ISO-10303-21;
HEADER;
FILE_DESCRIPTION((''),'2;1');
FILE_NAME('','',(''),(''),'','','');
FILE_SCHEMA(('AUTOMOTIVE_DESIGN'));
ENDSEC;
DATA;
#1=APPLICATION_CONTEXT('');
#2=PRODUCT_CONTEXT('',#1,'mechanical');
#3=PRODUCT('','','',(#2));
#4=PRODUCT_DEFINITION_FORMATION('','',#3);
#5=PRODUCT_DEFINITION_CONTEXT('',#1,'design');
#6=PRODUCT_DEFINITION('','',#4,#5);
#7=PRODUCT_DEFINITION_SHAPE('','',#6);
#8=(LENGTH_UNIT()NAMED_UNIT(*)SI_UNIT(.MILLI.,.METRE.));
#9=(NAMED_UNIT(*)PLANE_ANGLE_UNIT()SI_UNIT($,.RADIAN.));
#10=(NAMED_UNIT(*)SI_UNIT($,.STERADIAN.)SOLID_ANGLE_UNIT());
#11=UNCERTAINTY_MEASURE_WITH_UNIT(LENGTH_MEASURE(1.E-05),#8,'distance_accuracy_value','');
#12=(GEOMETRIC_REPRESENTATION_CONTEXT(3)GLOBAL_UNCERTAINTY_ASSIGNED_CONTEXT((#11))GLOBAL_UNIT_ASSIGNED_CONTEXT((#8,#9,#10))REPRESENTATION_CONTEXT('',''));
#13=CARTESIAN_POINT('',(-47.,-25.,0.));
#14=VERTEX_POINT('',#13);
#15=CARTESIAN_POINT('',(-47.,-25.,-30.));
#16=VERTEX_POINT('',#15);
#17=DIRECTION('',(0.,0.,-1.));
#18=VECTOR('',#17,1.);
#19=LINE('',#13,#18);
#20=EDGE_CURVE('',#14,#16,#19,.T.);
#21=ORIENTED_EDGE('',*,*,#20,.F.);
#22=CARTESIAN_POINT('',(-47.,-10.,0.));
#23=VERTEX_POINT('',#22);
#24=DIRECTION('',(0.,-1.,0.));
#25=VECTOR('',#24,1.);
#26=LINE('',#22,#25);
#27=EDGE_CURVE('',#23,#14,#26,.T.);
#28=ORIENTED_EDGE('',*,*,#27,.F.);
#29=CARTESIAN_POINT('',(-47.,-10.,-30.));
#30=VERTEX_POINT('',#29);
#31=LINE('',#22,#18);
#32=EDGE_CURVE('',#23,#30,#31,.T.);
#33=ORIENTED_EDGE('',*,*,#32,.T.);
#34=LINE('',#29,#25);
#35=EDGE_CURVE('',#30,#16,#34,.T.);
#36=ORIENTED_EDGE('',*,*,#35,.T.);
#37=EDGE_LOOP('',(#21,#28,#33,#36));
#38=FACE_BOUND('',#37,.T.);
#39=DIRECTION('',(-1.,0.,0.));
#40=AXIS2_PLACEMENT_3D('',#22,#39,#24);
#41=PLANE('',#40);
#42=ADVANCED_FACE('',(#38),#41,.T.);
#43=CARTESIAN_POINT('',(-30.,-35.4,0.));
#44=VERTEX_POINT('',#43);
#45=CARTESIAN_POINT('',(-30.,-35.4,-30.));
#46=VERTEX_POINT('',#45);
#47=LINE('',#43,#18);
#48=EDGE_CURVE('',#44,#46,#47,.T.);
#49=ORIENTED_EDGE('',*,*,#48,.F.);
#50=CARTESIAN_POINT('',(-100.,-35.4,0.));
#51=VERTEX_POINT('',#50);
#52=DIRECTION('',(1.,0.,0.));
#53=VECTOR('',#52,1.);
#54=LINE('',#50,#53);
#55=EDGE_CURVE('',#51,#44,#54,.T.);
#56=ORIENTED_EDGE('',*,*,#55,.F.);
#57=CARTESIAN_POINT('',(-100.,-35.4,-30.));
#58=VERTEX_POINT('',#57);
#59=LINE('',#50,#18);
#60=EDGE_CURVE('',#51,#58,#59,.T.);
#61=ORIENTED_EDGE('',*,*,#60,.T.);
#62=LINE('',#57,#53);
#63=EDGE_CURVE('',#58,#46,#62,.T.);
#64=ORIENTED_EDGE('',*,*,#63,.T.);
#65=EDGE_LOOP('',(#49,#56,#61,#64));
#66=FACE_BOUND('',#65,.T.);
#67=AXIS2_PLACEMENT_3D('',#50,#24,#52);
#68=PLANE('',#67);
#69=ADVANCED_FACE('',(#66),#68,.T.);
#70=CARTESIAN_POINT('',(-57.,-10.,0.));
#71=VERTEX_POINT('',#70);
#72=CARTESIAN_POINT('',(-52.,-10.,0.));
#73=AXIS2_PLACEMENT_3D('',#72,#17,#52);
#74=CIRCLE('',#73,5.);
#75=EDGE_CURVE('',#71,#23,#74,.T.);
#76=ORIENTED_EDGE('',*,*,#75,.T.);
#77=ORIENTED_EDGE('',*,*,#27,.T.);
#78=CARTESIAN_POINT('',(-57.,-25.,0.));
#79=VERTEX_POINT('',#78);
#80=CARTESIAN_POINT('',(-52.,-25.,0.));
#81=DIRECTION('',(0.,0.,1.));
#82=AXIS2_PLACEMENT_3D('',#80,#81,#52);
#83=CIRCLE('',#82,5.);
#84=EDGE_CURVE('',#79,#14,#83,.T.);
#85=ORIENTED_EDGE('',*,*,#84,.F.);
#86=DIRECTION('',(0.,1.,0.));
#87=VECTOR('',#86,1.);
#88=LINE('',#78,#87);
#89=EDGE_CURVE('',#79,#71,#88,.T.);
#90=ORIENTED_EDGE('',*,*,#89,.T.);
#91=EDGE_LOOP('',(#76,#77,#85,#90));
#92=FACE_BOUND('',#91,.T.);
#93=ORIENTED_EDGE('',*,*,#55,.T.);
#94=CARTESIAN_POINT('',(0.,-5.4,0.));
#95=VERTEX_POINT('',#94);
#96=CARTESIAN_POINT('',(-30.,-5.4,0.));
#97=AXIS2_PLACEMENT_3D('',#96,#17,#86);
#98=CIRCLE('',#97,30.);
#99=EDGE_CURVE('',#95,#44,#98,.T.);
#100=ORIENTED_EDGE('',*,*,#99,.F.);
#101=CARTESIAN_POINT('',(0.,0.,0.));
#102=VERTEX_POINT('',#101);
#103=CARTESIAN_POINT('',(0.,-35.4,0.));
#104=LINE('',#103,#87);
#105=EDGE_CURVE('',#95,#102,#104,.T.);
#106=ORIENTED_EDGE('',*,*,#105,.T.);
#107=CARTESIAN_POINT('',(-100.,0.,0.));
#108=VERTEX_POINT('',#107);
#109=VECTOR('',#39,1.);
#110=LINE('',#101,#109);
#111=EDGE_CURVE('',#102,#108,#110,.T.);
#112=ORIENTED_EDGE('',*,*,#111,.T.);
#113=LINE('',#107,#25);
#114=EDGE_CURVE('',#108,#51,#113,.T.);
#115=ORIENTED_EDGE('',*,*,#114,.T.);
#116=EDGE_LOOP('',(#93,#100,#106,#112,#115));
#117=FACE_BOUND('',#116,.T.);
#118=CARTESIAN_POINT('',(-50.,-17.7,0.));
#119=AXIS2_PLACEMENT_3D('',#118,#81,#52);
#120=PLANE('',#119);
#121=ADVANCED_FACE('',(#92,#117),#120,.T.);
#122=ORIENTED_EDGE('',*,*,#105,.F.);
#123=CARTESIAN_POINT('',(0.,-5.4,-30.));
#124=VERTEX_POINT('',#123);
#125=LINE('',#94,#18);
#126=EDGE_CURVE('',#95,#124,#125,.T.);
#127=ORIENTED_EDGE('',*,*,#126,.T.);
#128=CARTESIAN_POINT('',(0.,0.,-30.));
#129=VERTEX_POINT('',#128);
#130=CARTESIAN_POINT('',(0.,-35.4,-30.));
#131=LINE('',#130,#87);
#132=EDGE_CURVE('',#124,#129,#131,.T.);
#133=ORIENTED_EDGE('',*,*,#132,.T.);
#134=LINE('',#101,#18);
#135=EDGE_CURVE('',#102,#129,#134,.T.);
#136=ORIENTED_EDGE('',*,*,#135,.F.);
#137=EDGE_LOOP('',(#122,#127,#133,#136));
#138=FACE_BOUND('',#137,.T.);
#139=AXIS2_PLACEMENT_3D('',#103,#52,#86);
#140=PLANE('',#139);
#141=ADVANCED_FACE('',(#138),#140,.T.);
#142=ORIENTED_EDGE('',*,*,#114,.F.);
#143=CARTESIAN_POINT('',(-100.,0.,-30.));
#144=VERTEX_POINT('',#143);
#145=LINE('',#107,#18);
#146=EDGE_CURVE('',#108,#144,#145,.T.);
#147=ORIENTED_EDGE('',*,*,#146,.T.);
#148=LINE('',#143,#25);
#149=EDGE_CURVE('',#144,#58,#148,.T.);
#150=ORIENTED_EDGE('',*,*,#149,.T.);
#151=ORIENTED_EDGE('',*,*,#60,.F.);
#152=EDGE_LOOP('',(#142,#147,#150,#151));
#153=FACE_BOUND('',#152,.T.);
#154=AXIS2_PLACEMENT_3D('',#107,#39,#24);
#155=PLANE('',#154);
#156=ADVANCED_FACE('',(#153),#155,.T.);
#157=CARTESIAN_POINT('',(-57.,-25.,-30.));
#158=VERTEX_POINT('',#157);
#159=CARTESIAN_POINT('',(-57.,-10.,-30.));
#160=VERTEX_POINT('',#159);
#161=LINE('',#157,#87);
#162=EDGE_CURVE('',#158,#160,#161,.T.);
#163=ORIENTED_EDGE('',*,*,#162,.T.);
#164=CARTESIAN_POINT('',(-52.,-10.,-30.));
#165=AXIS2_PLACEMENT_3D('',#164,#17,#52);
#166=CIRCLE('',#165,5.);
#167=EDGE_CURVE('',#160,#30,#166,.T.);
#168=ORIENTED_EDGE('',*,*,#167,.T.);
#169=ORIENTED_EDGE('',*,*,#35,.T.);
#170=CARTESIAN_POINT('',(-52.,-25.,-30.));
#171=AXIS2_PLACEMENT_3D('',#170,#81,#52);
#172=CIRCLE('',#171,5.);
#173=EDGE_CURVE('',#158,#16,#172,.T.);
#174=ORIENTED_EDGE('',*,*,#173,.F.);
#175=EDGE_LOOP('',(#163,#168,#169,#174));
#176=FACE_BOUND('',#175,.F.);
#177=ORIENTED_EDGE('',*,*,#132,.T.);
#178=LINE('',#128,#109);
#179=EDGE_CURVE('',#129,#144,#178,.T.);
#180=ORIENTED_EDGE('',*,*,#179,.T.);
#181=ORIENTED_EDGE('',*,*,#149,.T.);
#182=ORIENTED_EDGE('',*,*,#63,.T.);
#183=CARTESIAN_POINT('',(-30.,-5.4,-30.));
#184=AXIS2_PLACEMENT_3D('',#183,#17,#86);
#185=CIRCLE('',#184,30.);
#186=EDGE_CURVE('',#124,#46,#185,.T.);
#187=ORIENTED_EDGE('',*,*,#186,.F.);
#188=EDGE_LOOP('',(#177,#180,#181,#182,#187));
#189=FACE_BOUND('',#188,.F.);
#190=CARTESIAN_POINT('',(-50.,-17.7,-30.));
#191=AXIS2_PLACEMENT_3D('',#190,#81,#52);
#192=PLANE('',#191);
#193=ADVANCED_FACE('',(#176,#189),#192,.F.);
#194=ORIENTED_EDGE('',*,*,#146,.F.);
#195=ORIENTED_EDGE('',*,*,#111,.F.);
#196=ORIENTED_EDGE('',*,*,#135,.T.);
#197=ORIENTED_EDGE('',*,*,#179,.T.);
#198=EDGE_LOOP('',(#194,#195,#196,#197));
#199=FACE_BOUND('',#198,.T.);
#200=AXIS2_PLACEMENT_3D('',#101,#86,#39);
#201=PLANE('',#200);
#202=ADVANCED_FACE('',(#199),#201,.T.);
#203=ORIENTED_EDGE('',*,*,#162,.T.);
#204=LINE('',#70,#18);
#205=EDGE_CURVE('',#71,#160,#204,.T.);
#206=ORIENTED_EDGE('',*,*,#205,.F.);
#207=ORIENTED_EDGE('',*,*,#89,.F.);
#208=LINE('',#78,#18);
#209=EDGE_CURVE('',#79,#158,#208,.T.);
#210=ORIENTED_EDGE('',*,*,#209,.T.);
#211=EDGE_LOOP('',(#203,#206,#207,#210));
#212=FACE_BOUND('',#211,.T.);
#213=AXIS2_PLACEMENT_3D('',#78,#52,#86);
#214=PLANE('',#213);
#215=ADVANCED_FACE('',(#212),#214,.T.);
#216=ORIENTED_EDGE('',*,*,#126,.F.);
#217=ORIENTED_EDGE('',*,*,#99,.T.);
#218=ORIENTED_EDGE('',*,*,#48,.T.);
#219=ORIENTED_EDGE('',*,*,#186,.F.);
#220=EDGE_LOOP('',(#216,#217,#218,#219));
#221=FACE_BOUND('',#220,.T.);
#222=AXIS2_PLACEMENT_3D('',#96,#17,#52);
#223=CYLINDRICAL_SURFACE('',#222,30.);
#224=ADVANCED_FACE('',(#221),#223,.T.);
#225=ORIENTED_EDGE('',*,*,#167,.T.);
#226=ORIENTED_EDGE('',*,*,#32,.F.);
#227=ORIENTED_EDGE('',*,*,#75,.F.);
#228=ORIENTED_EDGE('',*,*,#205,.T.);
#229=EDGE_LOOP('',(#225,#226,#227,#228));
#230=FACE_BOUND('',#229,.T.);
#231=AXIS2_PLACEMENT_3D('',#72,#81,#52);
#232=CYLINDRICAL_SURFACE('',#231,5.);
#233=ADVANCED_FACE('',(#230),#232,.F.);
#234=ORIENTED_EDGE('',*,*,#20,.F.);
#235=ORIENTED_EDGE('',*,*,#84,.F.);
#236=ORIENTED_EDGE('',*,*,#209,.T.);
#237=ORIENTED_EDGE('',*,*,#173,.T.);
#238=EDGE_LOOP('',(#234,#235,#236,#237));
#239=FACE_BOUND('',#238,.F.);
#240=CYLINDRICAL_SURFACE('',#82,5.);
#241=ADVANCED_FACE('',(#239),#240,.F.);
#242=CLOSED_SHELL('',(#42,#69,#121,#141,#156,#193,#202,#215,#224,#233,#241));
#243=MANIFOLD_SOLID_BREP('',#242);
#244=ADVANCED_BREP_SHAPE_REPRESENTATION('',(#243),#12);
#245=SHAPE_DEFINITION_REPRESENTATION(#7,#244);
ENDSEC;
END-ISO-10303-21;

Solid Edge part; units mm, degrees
sketch "Sketch1" plane through (0, 0, 0) normal (0, 0, 1) x (1, 0, 0)
  line L0 (0, 0) -> (-100, 0)
  line L1 (-100, 0) -> (-100, -35.4)
  line L2 (-100, -35.4) -> (0, -35.4)
  line L3 (0, -35.4) -> (0, 0)
extrude "Protrusion1" add sketch "Sketch1" against normal blind 30
sketch "Sketch2" plane through (-50, -17.7, 0) normal (0, 0, 1) x (1, 0, 0)
  line L0 (3, 7.7) -> (3, -7.3)
  arc A0 (-7, -7.3) -> (3, -7.3) centre (-2, -7.3) ccw
  line L1 (-7, -7.3) -> (-7, 7.7)
  arc A1 (-7, 7.7) -> (3, 7.7) centre (-2, 7.7) cw
extrude "ExtrudedCutout_1" cut sketch "Sketch2" against normal blind 30
fillet "Round_1" radius 30 1 edges at (0, -35.4, -15)
